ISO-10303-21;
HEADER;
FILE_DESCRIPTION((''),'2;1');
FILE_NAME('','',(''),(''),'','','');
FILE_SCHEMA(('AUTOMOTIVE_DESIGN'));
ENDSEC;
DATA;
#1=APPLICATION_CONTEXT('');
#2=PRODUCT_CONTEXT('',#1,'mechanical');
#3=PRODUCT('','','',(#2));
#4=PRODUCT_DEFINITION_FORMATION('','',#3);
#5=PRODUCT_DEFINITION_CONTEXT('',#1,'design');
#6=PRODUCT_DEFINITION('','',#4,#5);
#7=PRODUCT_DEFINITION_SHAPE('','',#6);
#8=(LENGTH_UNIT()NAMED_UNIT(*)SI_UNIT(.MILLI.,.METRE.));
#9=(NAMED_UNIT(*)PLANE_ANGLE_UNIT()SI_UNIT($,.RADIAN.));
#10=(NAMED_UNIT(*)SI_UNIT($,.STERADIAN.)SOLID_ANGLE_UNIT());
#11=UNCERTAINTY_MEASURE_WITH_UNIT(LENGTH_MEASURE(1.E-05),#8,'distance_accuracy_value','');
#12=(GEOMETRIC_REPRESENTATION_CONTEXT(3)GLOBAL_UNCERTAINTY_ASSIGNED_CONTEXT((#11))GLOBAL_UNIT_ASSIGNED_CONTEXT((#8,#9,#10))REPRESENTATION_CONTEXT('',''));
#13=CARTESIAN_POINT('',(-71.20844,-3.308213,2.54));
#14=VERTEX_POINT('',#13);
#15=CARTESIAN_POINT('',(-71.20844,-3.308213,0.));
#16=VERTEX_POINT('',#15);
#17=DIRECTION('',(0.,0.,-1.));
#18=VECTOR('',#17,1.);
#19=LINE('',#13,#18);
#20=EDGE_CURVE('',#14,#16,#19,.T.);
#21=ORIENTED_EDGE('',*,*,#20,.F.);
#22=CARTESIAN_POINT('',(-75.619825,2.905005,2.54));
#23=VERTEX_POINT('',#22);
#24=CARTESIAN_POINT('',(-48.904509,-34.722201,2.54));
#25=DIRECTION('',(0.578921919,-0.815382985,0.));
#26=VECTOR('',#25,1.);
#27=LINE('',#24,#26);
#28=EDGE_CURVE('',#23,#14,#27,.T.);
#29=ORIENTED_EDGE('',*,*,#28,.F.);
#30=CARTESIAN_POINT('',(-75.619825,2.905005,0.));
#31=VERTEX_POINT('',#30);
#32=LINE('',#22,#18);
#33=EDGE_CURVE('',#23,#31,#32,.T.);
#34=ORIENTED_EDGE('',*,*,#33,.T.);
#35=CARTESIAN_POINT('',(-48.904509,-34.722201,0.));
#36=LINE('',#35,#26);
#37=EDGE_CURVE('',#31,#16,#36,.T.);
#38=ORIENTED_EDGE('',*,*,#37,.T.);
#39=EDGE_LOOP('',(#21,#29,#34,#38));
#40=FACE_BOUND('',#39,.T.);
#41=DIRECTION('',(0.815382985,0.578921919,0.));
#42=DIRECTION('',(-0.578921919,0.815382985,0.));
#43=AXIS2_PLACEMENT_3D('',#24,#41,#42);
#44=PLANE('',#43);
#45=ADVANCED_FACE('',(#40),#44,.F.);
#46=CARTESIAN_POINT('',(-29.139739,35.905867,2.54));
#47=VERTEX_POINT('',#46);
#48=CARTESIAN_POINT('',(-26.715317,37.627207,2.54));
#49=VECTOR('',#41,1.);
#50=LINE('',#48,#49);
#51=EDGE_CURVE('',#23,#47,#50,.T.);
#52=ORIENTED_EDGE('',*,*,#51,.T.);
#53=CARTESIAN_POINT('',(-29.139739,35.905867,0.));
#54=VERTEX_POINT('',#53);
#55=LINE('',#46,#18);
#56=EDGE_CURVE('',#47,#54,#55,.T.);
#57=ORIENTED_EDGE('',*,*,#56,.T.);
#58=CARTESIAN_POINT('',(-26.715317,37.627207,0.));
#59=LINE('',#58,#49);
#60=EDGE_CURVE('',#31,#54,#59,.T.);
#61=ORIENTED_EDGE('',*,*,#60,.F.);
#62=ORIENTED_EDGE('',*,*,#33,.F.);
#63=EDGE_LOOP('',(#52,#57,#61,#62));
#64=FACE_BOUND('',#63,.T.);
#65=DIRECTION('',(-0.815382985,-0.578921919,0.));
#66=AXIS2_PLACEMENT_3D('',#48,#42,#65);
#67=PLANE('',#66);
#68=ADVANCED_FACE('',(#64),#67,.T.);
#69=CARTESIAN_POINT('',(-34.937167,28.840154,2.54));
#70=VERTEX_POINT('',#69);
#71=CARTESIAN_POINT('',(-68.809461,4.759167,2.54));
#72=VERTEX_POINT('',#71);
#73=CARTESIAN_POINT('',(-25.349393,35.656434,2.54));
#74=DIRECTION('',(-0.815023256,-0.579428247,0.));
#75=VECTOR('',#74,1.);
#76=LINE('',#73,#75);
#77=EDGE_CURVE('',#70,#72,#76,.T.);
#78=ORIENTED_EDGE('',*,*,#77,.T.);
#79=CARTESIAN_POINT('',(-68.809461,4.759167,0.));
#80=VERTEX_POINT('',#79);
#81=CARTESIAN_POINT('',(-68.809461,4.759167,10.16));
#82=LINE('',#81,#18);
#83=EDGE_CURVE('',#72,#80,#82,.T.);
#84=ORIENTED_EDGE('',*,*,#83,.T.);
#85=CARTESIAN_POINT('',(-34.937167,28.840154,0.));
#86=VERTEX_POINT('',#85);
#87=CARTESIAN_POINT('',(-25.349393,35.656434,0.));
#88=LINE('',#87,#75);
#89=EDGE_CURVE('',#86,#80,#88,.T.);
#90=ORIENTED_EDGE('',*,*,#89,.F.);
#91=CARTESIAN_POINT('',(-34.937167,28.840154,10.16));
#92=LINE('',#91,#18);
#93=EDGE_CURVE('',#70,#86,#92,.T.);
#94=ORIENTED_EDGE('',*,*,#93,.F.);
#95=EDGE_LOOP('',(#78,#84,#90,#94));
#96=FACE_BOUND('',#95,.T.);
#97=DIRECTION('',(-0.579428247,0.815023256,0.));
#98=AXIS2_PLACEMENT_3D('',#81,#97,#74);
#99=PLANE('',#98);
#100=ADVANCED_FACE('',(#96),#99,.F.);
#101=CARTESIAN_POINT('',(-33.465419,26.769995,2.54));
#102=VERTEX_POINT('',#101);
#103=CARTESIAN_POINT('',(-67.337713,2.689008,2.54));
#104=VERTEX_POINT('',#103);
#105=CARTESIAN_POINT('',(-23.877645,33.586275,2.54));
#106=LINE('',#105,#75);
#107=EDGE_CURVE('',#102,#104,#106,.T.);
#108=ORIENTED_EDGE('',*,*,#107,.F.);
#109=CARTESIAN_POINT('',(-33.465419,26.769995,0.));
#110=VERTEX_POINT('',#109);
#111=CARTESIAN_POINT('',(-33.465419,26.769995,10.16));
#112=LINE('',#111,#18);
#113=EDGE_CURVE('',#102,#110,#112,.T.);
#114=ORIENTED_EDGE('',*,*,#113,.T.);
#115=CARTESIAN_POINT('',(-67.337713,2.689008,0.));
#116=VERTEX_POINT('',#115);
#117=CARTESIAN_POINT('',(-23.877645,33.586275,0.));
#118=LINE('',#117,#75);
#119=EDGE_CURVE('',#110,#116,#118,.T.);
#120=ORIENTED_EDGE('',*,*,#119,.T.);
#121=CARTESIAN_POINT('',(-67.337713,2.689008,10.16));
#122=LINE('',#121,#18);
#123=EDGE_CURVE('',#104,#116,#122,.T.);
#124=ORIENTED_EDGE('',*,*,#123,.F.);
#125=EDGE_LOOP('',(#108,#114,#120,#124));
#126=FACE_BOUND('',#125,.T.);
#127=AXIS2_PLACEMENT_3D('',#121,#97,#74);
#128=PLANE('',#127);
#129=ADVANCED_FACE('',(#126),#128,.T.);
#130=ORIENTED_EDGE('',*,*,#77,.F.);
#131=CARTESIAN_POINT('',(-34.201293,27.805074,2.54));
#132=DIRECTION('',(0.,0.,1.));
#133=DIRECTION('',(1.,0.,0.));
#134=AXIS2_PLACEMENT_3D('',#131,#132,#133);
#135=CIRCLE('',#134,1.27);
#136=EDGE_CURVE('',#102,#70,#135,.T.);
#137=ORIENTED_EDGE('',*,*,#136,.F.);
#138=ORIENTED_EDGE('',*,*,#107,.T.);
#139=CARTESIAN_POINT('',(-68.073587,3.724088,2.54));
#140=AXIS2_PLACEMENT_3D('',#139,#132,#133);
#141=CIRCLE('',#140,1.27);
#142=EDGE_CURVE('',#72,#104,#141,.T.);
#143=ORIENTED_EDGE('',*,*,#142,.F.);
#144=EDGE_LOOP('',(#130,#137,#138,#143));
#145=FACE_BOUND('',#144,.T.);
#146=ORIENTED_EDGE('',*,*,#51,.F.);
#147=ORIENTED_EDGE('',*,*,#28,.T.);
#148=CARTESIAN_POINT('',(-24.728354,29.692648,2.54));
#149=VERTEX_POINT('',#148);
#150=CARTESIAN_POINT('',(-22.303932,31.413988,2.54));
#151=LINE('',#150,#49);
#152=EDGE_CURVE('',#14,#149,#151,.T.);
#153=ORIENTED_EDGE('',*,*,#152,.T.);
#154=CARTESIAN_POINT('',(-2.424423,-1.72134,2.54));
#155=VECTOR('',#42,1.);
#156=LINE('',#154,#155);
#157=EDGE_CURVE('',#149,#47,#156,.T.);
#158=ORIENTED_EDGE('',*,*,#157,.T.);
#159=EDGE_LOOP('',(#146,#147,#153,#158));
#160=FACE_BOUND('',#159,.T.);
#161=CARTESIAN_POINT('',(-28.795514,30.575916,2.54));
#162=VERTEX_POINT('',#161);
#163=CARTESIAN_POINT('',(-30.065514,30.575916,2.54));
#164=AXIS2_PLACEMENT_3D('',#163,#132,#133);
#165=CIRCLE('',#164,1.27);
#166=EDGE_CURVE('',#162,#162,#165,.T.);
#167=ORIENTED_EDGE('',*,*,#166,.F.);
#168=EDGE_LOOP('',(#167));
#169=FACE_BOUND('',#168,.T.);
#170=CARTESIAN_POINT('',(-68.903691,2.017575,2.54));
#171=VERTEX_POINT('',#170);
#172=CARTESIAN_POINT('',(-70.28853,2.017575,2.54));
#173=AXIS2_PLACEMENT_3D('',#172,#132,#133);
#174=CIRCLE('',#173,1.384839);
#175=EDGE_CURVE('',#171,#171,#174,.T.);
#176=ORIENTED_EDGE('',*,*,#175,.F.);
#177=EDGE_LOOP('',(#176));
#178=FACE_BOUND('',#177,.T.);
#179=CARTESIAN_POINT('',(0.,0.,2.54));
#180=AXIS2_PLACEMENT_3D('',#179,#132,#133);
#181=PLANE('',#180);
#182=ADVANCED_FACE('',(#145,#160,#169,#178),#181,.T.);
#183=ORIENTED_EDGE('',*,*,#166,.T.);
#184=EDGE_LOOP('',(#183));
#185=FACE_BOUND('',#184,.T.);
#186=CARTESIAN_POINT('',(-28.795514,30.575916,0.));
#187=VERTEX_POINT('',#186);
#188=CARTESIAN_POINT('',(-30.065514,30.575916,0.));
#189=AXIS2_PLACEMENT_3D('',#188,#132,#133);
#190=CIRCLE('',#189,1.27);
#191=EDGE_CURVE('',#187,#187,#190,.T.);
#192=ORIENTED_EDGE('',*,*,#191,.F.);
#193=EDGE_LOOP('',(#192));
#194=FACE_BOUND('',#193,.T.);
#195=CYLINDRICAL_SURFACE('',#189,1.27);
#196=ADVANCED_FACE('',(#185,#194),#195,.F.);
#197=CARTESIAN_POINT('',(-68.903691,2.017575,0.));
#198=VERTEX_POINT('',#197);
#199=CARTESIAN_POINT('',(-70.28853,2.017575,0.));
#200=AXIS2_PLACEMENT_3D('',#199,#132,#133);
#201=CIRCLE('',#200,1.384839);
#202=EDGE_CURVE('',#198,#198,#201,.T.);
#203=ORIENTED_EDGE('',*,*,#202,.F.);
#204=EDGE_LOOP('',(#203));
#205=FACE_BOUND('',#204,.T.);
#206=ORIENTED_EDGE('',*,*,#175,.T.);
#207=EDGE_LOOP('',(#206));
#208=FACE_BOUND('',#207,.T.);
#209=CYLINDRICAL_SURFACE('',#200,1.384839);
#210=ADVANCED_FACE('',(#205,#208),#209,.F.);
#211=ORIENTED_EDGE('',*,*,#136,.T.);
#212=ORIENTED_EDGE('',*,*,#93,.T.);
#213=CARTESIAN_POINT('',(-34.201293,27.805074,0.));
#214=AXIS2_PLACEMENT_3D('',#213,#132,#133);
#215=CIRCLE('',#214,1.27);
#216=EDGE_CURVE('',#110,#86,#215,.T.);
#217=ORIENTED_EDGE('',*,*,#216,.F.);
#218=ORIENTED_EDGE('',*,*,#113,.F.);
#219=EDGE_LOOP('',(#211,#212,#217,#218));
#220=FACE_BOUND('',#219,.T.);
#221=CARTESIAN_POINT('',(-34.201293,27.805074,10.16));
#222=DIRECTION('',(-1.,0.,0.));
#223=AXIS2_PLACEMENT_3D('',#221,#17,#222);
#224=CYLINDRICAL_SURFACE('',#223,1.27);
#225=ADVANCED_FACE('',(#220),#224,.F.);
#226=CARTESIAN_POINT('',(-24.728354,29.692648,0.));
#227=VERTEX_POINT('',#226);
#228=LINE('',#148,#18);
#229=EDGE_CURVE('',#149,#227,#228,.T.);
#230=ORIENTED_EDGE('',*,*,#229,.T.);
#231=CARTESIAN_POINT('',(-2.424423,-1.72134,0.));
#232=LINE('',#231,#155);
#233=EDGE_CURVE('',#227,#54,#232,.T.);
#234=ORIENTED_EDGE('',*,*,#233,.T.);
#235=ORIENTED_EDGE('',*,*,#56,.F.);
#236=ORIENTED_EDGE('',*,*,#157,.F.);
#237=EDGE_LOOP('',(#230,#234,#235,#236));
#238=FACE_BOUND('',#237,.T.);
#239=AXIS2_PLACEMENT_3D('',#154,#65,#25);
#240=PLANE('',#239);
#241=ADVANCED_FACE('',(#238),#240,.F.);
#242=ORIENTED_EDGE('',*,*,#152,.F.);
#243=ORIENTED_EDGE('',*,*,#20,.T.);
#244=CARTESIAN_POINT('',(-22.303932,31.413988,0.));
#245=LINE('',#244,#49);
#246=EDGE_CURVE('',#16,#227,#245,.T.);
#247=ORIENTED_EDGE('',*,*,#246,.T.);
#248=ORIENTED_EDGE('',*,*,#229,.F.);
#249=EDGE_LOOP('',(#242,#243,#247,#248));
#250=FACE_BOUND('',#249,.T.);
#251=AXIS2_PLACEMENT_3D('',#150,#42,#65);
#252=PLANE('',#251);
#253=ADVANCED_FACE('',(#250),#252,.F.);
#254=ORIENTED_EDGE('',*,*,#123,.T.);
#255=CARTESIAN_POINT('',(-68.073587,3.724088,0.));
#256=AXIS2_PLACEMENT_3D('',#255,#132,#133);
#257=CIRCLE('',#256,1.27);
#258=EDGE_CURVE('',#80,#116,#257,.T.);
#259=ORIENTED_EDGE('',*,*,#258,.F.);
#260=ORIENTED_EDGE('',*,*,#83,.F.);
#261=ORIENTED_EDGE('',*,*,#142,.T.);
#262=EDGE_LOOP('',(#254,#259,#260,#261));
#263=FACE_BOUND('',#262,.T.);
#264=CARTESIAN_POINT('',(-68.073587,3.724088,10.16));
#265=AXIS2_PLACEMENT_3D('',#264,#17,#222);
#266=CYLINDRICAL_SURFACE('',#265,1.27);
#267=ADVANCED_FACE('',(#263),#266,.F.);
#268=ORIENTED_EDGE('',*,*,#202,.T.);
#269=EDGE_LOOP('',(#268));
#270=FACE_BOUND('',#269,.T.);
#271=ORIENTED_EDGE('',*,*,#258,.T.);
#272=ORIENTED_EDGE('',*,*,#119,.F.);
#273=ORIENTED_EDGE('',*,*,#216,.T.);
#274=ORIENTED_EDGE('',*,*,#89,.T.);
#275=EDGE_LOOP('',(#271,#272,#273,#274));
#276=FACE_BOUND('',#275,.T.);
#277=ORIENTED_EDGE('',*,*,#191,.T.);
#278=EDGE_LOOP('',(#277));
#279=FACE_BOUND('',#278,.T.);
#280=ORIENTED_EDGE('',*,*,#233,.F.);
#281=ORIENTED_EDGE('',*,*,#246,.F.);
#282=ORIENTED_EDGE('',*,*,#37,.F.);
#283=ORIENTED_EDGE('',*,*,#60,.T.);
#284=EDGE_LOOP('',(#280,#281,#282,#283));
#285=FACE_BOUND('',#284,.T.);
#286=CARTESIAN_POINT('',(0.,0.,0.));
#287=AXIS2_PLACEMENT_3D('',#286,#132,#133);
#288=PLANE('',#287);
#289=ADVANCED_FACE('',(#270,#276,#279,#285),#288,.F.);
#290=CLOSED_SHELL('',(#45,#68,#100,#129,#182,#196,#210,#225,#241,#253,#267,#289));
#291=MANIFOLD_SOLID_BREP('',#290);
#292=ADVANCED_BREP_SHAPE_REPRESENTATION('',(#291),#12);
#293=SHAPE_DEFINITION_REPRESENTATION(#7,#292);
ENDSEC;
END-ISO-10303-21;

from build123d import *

# Parameters (mm, degrees)
BOSS_EXTRUDE1_DEPTH     = 2.54
SKETCH2_R               = 1.384838531
SKETCH2_R_2             = 1.27
CUT_EXTRUDE2_DEPTH      = 2.54
CUT_EXTRUDE4_DEPTH      = 7.62
CUT_EXTRUDE4_DEPTH_BACK = 10.16


with BuildPart() as part:
    # Sketch1 → Boss-Extrude1 (new body)
    with BuildSketch(Plane.XY):
        Polygon((-71.208440462, -3.308212961), (-24.728354348, 29.69264818), (-29.139739371, 35.905866523), (-75.619825485, 2.905005382), align=None)
    extrude(amount=BOSS_EXTRUDE1_DEPTH)

    # Sketch2 → Cut-Extrude2 (cut)
    with BuildSketch(Plane.XY.offset(2.54)):
        with Locations((-70.288529602, 2.017574604)):
            Circle(SKETCH2_R)
        with Locations((-30.065513702, 30.575915893)):
            Circle(SKETCH2_R_2)
    extrude(amount=-CUT_EXTRUDE2_DEPTH, mode=Mode.SUBTRACT)

    # Sketch3 → Cut-Extrude4 (cut, two sides)
    with BuildSketch(Plane(origin=(0, 0, 0), x_dir=(-1, 0, 0), z_dir=(0, 0, -1))) as cut_extrude4_sk:
        with BuildLine():
            Line((67.337713358, 2.689008108), (33.465419067, 26.769994698))
            ThreePointArc((33.465419067, 26.769994698), (33.166213405, 28.540948106), (34.937166813, 28.840153767))
            Line((34.937166813, 28.840153767), (68.809461104, 4.759167177))
            ThreePointArc((68.809461104, 4.759167177), (69.108666765, 2.988213769), (67.337713358, 2.689008108))
        make_face()
    extrude(amount=CUT_EXTRUDE4_DEPTH, mode=Mode.SUBTRACT)
    extrude(cut_extrude4_sk.sketch, amount=-CUT_EXTRUDE4_DEPTH_BACK, mode=Mode.SUBTRACT)


solid = part.part
